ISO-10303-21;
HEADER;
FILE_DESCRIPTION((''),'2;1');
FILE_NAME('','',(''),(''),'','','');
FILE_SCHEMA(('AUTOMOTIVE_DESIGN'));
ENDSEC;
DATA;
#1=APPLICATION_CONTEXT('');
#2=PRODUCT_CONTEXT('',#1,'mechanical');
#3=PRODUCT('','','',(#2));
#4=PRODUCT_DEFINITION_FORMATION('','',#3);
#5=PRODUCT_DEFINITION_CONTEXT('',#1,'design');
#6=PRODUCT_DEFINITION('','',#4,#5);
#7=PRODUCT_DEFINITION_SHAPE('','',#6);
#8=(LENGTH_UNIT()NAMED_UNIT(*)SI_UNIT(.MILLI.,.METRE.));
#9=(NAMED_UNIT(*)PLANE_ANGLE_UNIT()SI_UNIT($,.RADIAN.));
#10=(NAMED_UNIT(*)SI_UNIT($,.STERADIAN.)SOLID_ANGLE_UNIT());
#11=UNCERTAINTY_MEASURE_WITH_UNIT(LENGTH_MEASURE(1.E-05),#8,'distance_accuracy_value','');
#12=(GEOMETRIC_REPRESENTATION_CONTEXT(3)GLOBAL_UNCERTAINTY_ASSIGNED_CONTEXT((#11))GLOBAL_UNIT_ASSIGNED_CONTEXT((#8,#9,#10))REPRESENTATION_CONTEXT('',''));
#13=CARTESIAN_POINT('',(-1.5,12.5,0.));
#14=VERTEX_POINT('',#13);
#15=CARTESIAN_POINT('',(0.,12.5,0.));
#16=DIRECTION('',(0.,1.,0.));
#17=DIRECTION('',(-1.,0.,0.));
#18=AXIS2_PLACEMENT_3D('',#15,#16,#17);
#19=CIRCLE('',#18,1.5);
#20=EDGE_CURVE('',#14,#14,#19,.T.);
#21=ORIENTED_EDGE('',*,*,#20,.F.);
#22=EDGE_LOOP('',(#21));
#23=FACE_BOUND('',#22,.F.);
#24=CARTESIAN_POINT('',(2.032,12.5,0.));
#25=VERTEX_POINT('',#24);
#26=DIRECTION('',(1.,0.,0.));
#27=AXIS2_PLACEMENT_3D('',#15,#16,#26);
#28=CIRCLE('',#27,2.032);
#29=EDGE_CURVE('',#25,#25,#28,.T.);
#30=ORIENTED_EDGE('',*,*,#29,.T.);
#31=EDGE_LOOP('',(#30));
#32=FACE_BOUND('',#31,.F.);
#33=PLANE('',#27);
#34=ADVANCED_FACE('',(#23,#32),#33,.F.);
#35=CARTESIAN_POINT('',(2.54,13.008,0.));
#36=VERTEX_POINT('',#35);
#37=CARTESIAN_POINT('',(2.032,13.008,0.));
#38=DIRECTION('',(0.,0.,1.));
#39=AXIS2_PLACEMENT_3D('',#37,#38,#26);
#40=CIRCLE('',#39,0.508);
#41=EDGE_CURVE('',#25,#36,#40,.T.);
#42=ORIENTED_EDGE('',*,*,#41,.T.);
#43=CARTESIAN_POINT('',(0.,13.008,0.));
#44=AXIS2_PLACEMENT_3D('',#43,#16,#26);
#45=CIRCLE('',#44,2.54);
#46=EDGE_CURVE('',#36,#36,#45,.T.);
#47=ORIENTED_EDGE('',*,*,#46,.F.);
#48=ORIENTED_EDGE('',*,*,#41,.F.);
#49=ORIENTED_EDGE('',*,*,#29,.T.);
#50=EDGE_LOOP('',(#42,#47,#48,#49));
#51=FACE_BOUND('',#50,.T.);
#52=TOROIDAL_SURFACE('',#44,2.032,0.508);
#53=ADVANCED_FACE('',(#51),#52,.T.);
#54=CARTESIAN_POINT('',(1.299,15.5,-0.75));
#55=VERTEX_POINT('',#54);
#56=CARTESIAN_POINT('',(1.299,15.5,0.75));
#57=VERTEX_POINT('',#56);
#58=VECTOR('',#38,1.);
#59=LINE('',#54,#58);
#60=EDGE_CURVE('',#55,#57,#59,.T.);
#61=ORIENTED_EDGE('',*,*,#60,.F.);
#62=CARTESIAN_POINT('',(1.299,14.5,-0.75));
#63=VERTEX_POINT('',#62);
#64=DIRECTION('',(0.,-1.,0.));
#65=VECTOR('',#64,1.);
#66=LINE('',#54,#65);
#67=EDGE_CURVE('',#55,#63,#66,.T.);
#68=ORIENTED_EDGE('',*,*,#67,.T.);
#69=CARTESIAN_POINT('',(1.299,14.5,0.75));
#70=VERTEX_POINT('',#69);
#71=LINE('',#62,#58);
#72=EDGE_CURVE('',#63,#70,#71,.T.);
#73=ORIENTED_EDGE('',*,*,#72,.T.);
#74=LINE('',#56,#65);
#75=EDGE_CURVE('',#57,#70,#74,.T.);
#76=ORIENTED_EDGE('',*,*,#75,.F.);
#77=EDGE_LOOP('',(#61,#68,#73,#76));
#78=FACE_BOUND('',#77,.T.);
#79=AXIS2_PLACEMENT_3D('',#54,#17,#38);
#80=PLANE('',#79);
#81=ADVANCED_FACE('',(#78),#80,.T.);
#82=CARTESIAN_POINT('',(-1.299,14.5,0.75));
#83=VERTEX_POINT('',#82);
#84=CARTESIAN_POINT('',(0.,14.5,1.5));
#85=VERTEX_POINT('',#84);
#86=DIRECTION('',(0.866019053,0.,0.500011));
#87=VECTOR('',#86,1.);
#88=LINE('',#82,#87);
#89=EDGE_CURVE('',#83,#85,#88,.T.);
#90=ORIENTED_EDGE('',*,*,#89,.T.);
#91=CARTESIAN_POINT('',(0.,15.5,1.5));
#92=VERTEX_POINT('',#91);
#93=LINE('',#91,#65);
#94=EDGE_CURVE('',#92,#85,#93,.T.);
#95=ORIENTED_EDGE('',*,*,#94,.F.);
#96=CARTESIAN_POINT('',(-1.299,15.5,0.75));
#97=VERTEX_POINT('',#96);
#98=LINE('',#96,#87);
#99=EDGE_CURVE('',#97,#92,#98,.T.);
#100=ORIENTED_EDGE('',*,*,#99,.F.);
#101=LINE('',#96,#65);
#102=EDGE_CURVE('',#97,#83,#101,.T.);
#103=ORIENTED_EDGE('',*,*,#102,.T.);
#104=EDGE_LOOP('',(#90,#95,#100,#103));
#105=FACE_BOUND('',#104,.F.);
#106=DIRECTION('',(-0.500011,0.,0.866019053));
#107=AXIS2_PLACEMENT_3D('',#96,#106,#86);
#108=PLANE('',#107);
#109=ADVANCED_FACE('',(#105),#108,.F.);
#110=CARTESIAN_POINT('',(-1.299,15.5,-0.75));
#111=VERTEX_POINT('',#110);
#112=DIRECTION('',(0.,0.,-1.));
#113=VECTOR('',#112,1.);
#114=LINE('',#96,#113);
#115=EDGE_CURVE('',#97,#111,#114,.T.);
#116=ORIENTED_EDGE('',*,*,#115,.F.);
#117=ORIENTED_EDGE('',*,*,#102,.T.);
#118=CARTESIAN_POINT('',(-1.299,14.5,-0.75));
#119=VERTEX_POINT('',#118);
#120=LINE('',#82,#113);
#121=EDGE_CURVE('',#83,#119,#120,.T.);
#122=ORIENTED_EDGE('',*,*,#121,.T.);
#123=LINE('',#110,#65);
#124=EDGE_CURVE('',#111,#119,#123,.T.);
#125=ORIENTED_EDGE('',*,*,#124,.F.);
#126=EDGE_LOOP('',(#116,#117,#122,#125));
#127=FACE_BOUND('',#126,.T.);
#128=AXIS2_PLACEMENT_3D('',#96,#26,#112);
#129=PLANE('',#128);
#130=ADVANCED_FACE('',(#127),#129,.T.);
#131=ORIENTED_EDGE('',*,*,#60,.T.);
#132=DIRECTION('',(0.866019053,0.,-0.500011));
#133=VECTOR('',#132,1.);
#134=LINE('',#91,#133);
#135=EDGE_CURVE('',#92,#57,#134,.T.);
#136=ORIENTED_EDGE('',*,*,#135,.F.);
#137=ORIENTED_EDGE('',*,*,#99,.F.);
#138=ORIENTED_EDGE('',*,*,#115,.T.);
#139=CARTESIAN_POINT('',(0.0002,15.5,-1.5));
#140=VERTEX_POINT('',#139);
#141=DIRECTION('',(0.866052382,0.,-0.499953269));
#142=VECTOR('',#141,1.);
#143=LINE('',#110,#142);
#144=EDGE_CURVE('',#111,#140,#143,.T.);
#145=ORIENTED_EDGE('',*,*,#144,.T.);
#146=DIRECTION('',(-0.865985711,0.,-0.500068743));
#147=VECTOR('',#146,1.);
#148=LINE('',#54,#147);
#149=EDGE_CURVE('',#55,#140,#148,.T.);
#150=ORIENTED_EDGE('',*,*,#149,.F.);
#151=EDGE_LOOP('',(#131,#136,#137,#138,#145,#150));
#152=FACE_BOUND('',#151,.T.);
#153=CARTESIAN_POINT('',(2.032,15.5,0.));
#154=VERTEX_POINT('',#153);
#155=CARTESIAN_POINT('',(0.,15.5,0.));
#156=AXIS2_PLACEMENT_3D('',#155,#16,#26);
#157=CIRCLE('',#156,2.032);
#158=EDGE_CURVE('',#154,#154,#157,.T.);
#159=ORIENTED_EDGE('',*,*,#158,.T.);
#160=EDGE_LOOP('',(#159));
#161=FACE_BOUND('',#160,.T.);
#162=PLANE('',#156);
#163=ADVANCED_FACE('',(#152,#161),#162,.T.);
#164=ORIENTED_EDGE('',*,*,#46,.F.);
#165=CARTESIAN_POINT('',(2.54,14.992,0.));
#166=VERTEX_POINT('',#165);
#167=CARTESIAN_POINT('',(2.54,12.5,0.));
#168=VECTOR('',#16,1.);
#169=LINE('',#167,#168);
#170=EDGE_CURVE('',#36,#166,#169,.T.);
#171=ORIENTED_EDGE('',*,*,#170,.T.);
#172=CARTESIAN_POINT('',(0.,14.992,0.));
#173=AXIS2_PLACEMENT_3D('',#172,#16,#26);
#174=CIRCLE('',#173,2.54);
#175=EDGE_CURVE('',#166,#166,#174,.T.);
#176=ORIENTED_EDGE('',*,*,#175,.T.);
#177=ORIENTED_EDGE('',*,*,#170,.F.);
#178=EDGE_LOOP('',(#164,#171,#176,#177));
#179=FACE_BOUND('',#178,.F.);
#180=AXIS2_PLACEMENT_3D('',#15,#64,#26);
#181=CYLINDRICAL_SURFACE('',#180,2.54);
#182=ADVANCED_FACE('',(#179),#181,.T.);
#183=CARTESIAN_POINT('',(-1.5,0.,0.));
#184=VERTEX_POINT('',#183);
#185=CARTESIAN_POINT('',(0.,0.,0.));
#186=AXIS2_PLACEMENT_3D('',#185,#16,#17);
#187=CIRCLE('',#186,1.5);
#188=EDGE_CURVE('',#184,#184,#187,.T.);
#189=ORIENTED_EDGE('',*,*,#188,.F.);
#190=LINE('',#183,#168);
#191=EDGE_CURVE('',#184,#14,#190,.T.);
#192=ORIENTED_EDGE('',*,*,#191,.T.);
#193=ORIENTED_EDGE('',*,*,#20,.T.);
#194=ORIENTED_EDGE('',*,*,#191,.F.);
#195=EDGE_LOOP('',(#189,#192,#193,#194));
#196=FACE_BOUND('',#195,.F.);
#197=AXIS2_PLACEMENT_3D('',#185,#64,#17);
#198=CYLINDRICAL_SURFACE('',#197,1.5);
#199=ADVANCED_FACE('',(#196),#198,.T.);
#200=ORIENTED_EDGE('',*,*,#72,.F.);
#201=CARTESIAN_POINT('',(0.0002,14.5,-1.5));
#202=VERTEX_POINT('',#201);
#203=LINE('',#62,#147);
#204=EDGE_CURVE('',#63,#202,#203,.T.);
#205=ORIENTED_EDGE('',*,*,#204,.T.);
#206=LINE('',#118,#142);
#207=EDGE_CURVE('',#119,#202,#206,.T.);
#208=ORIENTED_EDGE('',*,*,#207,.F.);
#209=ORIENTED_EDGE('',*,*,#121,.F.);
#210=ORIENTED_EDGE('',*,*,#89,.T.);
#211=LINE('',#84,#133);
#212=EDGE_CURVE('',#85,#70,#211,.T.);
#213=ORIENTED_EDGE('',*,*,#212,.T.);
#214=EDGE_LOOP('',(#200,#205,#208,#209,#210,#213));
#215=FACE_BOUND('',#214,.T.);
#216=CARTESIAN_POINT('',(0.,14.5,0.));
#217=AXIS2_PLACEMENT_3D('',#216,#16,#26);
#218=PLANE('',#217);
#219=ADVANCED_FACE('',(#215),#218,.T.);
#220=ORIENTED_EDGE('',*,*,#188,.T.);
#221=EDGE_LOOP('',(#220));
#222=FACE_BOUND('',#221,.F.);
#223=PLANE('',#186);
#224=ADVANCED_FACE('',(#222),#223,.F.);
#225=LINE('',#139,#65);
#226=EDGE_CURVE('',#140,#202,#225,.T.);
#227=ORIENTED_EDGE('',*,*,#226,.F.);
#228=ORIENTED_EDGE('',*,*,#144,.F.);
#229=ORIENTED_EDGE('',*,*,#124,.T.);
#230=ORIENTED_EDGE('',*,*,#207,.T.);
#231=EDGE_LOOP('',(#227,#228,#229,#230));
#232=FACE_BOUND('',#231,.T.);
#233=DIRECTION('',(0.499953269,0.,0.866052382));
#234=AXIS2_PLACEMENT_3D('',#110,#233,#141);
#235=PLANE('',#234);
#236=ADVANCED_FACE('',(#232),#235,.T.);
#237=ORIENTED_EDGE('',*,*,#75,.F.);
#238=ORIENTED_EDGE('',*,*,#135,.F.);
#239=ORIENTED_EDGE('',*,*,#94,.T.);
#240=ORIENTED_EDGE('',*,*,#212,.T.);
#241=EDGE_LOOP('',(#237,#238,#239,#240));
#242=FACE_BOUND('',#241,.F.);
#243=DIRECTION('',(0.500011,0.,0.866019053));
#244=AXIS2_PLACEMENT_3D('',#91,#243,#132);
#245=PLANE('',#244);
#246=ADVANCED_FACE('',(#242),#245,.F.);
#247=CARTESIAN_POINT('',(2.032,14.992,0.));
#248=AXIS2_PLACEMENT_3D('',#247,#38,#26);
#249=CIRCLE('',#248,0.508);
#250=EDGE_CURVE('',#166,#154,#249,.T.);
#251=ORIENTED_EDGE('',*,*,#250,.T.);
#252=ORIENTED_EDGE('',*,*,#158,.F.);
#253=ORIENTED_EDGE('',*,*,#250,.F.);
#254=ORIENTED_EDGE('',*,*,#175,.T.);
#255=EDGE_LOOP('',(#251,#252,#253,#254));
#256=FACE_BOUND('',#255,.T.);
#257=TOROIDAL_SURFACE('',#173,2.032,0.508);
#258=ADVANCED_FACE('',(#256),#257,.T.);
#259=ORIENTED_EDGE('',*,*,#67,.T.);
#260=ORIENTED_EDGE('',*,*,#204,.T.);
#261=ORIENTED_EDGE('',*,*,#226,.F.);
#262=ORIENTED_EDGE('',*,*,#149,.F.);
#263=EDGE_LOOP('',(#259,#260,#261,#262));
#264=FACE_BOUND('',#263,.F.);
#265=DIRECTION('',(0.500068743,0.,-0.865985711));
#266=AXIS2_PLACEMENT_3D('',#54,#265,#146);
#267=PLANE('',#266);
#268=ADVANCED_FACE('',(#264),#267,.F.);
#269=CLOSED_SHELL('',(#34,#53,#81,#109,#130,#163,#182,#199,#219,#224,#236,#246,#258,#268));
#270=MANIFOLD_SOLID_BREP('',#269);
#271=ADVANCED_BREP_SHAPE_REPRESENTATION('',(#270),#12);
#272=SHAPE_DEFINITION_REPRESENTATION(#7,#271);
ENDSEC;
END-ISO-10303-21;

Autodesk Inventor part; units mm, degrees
ref_plane "YZ Plane" through (0, 0, 0) normal (1, 0, 0) x (0, 1, 0)
ref_plane "XZ Plane" through (0, 0, 0) normal (0, 1, 0) x (-1, 0, 0)
ref_plane "XY Plane" through (0, 0, 0) normal (0, 0, 1) x (1, 0, 0)
sketch "Sketch1" plane through (0, 0, 0) normal (0, 1, 0) x (-1, 0, 0)
  circle A0 centre (0, 0) radius 1.5
  dimension "d0" = 3
extrude "Extrusion1" add sketch "Sketch1" along normal blind 12.5
sketch "Sketch2" plane through (0, 12.5, 0) normal (0, 1, 0) x (1, 0, 0)
  circle A0 centre (0, 0) radius 1.5 projected
  circle A1 centre (0, 0) radius 2.54
  dimension "d3" = 5.08
extrude "Extrusion2" add sketch "Sketch2" along normal blind 3 contours A0 | A1
fillet "Fillet1" radius 0.508 2 edges at (-2.54, 15.5, 0) (-2.54, 12.5, 0)
sketch "Sketch3" plane through (0, 15.5, 0) normal (0, 1, 0) x (1, 0, 0)
  line L0 (0, 0) -> (1.5, 0) construction
  line L1 (-1.299, -0.75) -> (-1.299, 0.75)
  line L2 (-1.299, 0.75) -> (0.0002, 1.5)
  line L3 (1.299, 0.75) -> (0.0002, 1.5)
  line L4 (1.299, 0.75) -> (1.299, -0.75)
  line L5 (0, -1.5) -> (1.299, -0.75)
  line L6 (-1.299, -0.75) -> (0, -1.5)
thread "Thread1" size "5-40 UNC" class "2A" standard "ANSI Unified Screw Threads" full length
extrude "Extrusion4" cut sketch "Sketch3" against normal blind 1
properties part number "screw"
